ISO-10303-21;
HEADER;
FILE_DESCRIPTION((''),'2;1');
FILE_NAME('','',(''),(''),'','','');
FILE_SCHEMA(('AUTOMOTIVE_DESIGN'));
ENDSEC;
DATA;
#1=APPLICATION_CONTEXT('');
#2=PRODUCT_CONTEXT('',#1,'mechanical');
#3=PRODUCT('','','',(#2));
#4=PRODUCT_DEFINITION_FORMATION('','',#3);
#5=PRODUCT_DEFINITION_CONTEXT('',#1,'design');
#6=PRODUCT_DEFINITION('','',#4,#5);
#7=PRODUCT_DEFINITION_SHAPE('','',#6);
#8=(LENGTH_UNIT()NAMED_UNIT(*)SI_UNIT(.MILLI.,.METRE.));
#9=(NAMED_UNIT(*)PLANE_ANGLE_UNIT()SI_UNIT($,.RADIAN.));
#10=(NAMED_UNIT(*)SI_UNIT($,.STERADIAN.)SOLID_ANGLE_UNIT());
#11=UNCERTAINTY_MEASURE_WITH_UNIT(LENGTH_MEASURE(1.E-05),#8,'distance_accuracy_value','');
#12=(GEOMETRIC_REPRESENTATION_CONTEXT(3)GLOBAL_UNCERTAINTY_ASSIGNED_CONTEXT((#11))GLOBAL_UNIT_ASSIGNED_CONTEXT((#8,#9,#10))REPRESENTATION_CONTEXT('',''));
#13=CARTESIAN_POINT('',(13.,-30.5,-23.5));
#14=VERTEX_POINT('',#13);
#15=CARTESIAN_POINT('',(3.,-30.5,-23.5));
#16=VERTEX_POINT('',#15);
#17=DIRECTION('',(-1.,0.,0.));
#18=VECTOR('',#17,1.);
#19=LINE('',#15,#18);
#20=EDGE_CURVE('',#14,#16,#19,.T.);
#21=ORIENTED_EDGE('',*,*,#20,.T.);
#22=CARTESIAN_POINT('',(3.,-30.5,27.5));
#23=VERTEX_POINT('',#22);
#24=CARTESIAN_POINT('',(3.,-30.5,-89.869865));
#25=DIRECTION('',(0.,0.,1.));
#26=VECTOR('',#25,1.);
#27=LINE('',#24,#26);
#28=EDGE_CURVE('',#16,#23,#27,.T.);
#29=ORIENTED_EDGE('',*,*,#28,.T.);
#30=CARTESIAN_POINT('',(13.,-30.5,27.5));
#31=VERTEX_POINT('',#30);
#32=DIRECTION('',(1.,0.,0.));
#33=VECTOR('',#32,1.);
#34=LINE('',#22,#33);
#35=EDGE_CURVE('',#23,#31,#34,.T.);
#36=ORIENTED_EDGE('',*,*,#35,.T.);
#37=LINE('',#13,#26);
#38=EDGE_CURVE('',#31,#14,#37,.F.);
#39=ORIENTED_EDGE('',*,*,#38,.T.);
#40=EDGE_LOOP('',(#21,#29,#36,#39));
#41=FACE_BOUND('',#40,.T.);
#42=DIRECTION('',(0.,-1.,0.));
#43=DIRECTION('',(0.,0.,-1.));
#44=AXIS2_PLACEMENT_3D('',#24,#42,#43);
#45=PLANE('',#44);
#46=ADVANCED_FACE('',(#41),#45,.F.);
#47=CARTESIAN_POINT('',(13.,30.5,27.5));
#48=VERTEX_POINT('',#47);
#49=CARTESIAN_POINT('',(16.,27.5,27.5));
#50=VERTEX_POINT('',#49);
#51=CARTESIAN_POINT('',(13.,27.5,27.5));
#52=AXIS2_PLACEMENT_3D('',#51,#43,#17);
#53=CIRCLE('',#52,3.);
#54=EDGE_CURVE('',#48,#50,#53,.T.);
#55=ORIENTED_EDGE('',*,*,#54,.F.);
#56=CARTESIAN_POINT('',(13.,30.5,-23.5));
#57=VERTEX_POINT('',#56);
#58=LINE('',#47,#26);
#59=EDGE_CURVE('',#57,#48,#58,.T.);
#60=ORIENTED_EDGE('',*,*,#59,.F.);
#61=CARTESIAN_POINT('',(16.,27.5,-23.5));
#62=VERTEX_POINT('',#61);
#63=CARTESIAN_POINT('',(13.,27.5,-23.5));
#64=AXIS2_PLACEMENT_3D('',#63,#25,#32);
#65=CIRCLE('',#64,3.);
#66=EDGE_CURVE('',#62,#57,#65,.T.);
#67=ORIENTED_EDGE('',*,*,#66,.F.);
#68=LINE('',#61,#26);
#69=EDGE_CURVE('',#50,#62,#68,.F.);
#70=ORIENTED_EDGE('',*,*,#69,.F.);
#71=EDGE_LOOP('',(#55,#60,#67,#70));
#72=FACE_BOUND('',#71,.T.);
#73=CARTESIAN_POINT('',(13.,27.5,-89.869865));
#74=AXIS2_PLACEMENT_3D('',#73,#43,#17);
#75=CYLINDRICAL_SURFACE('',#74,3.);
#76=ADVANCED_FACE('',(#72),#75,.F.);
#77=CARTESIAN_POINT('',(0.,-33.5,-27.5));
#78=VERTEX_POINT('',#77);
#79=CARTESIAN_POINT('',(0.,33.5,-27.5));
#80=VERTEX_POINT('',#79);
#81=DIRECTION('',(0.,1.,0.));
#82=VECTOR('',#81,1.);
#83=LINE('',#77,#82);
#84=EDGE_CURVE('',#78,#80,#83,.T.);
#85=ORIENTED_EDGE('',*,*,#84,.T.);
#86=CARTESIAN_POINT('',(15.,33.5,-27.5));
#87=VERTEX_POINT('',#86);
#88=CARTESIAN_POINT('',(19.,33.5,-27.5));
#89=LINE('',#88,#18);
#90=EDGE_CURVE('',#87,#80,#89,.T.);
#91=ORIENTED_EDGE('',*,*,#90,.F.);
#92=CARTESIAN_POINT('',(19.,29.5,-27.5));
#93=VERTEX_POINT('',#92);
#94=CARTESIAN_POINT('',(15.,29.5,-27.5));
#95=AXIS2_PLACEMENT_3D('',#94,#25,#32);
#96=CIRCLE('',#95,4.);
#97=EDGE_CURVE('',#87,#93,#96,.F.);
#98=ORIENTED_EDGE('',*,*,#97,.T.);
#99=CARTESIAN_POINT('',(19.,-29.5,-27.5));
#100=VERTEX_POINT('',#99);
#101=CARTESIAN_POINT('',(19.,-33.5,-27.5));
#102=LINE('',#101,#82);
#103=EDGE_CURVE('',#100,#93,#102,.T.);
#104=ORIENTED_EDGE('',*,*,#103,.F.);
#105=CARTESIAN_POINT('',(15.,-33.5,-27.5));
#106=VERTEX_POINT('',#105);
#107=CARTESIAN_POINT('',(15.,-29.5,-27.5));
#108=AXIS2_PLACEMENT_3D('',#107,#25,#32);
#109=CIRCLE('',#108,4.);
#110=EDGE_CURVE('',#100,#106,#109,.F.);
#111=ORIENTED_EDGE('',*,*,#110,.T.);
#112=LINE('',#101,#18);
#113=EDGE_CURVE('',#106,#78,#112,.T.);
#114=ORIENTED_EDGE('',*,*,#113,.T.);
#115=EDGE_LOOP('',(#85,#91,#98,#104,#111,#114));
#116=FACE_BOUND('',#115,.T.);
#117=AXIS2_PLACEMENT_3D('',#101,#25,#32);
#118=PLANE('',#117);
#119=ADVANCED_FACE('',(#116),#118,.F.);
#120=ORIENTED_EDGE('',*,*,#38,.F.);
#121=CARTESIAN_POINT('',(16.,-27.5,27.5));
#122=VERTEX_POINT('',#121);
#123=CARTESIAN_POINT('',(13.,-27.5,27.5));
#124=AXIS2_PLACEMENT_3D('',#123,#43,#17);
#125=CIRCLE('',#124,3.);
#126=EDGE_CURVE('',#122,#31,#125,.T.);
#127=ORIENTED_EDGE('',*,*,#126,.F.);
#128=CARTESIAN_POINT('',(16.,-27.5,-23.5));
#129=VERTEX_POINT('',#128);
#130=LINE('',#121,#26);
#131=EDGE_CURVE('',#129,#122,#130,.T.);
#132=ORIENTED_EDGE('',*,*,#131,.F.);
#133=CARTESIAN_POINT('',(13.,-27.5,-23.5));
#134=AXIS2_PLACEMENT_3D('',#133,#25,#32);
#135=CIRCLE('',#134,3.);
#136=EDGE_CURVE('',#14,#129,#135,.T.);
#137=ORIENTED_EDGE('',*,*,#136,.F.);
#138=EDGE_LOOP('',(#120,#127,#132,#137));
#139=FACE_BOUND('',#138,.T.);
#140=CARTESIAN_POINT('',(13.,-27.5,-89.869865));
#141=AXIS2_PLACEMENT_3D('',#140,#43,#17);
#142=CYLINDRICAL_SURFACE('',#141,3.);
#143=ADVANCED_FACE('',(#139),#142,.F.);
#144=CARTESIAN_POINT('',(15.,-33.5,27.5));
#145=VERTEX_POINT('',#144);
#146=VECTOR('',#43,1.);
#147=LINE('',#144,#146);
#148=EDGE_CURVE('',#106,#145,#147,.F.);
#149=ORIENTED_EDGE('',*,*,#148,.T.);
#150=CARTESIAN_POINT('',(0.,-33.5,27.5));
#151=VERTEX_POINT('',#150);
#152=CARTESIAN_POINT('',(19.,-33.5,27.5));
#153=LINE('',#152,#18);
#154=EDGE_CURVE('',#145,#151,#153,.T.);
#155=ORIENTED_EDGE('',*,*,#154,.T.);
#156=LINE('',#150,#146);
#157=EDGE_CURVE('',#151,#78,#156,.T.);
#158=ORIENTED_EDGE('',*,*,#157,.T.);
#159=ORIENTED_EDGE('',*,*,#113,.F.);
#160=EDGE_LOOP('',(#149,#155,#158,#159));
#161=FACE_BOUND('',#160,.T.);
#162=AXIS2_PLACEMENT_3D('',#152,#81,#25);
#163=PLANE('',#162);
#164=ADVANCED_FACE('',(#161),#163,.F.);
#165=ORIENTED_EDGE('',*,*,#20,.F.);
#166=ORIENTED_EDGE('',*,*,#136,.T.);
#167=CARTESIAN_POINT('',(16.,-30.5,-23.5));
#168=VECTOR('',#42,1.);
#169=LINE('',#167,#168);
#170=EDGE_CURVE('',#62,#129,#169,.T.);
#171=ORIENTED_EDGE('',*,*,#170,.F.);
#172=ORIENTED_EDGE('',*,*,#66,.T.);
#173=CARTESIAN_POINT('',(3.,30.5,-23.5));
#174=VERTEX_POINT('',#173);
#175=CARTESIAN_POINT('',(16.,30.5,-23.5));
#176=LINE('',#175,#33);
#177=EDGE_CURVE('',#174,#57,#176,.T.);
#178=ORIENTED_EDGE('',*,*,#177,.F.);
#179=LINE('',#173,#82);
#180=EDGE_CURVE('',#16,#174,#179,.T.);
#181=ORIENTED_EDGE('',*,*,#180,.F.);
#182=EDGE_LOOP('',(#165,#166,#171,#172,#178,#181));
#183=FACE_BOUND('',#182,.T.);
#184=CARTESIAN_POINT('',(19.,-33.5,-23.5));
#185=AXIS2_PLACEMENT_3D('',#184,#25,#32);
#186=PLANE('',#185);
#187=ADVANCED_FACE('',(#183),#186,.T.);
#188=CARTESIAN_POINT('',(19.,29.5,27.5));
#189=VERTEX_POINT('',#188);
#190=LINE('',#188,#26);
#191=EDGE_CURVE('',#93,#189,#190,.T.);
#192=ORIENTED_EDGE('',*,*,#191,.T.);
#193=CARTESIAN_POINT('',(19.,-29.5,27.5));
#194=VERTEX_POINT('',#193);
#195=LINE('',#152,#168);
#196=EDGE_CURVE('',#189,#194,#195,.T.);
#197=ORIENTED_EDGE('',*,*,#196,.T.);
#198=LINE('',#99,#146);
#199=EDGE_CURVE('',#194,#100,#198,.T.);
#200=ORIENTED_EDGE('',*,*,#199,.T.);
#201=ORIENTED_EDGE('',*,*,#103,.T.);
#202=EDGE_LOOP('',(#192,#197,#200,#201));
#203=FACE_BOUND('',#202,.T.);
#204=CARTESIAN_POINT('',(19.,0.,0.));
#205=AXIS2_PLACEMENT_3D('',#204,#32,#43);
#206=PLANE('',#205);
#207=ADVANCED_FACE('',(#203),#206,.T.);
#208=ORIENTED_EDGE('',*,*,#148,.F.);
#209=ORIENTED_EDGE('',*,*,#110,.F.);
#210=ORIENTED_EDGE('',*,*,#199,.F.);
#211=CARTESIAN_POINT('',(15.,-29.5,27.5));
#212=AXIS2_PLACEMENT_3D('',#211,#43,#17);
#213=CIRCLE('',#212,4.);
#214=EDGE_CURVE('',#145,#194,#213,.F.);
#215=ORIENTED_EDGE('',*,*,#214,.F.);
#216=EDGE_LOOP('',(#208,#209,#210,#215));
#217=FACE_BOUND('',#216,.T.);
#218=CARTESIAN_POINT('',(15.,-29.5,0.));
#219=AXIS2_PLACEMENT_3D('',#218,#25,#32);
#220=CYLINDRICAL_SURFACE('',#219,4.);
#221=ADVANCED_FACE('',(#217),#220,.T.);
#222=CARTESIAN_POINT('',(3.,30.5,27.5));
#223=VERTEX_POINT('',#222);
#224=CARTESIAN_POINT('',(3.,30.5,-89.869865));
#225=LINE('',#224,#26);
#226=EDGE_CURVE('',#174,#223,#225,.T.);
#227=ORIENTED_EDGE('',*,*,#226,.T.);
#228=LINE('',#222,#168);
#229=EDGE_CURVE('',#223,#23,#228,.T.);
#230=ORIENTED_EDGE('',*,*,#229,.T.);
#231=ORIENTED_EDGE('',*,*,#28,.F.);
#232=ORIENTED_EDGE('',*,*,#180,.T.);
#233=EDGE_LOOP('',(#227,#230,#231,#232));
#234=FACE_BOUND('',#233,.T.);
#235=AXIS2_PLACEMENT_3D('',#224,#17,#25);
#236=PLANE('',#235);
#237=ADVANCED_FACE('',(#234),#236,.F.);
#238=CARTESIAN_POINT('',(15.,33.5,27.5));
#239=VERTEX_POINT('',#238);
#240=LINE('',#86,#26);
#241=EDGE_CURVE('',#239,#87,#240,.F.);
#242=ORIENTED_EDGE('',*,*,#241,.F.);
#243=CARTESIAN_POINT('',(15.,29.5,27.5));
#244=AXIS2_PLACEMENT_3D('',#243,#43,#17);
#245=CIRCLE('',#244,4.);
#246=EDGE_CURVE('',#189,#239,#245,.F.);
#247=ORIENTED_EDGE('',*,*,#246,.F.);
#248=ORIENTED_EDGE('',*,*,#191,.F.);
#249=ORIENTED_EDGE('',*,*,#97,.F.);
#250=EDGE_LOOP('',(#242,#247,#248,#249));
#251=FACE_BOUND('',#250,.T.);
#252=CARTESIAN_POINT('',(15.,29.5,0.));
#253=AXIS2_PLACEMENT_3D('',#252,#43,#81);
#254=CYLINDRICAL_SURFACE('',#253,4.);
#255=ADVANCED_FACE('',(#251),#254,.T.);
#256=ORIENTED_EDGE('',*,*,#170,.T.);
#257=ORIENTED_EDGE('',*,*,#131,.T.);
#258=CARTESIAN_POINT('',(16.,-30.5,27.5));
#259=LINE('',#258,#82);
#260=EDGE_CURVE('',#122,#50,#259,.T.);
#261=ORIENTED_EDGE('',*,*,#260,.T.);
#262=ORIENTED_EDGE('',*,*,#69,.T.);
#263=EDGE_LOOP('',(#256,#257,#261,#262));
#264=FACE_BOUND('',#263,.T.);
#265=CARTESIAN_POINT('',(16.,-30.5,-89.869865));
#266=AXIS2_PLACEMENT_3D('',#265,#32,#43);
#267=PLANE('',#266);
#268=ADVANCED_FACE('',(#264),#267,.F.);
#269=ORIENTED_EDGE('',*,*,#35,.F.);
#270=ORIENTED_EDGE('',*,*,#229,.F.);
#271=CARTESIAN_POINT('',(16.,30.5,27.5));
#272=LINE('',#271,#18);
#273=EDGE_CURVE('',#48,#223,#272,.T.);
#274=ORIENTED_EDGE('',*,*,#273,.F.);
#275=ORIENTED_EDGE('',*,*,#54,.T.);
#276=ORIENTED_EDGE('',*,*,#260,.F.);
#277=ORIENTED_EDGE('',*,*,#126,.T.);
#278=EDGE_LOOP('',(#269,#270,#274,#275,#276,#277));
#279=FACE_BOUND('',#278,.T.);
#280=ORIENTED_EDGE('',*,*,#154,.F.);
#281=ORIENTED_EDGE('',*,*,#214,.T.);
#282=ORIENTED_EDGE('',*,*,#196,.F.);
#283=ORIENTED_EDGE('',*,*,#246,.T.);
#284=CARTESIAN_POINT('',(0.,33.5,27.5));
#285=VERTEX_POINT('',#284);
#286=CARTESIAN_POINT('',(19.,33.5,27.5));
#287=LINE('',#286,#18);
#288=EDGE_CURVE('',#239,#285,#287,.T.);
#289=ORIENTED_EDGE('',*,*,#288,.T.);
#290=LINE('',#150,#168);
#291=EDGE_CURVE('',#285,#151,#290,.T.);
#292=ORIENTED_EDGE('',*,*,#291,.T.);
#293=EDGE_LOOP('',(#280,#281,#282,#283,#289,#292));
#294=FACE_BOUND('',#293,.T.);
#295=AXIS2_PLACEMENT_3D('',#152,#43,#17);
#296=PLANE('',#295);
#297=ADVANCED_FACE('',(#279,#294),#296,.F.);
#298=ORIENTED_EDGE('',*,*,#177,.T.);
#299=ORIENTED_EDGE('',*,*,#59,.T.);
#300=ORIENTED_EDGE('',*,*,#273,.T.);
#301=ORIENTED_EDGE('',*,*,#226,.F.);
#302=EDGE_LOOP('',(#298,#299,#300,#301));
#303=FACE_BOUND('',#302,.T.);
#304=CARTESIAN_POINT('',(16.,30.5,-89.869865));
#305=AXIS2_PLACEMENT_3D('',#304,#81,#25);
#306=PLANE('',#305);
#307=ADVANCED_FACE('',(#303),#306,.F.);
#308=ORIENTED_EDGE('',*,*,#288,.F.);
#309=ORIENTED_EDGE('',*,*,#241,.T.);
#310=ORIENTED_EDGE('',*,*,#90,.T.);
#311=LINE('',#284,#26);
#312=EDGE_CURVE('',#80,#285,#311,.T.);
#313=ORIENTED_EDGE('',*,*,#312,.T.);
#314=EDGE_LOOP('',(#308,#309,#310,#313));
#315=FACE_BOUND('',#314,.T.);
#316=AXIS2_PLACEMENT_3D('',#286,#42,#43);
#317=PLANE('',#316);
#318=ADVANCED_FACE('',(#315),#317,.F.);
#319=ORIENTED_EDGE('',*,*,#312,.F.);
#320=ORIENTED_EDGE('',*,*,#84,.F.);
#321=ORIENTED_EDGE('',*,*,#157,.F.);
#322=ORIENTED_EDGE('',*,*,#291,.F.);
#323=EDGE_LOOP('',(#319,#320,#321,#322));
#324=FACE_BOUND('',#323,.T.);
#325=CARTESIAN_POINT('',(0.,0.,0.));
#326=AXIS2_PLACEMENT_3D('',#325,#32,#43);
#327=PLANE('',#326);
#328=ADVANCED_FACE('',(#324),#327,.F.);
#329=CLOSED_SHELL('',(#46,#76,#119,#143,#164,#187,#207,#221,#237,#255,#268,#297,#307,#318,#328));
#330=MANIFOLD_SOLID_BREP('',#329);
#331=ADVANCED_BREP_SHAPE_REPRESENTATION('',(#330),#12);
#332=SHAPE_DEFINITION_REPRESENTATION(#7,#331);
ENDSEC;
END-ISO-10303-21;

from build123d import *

# Parameters (mm, degrees)
SKETCH1_W           = 67
SKETCH1_H           = 55
BOSS_EXTRUDE1_DEPTH = 19
SKETCH3_W           = 13
SKETCH3_H           = 61
CUT_EXTRUDE1_DEPTH  = 51
FILLET1_R           = 4
FILLET2_R           = 3


with BuildPart() as part:
    # Sketch1 → Boss-Extrude1 (new body)
    with BuildSketch(Plane.YZ):
        Rectangle(SKETCH1_W, SKETCH1_H)
    extrude(amount=BOSS_EXTRUDE1_DEPTH)

    # Sketch3 → Cut-Extrude1 (cut)
    with BuildSketch(Plane.XY.offset(27.5)):
        with Locations((9.5, 0)):
            Rectangle(SKETCH3_W, SKETCH3_H)
    extrude(amount=-CUT_EXTRUDE1_DEPTH, mode=Mode.SUBTRACT)

    # Fillet1
    fillet1_edges = [part.edges().sort_by_distance(p)[0] for p in [
        (19, -33.5, 0),
        (19, 33.5, 0),
    ]]
    fillet(fillet1_edges, radius=FILLET1_R)

    # Fillet2
    fillet2_edges = [part.edges().sort_by_distance(p)[0] for p in [
        (16, 30.5, 2),
        (16, -30.5, 2),
    ]]
    fillet(fillet2_edges, radius=FILLET2_R)


solid = part.part
